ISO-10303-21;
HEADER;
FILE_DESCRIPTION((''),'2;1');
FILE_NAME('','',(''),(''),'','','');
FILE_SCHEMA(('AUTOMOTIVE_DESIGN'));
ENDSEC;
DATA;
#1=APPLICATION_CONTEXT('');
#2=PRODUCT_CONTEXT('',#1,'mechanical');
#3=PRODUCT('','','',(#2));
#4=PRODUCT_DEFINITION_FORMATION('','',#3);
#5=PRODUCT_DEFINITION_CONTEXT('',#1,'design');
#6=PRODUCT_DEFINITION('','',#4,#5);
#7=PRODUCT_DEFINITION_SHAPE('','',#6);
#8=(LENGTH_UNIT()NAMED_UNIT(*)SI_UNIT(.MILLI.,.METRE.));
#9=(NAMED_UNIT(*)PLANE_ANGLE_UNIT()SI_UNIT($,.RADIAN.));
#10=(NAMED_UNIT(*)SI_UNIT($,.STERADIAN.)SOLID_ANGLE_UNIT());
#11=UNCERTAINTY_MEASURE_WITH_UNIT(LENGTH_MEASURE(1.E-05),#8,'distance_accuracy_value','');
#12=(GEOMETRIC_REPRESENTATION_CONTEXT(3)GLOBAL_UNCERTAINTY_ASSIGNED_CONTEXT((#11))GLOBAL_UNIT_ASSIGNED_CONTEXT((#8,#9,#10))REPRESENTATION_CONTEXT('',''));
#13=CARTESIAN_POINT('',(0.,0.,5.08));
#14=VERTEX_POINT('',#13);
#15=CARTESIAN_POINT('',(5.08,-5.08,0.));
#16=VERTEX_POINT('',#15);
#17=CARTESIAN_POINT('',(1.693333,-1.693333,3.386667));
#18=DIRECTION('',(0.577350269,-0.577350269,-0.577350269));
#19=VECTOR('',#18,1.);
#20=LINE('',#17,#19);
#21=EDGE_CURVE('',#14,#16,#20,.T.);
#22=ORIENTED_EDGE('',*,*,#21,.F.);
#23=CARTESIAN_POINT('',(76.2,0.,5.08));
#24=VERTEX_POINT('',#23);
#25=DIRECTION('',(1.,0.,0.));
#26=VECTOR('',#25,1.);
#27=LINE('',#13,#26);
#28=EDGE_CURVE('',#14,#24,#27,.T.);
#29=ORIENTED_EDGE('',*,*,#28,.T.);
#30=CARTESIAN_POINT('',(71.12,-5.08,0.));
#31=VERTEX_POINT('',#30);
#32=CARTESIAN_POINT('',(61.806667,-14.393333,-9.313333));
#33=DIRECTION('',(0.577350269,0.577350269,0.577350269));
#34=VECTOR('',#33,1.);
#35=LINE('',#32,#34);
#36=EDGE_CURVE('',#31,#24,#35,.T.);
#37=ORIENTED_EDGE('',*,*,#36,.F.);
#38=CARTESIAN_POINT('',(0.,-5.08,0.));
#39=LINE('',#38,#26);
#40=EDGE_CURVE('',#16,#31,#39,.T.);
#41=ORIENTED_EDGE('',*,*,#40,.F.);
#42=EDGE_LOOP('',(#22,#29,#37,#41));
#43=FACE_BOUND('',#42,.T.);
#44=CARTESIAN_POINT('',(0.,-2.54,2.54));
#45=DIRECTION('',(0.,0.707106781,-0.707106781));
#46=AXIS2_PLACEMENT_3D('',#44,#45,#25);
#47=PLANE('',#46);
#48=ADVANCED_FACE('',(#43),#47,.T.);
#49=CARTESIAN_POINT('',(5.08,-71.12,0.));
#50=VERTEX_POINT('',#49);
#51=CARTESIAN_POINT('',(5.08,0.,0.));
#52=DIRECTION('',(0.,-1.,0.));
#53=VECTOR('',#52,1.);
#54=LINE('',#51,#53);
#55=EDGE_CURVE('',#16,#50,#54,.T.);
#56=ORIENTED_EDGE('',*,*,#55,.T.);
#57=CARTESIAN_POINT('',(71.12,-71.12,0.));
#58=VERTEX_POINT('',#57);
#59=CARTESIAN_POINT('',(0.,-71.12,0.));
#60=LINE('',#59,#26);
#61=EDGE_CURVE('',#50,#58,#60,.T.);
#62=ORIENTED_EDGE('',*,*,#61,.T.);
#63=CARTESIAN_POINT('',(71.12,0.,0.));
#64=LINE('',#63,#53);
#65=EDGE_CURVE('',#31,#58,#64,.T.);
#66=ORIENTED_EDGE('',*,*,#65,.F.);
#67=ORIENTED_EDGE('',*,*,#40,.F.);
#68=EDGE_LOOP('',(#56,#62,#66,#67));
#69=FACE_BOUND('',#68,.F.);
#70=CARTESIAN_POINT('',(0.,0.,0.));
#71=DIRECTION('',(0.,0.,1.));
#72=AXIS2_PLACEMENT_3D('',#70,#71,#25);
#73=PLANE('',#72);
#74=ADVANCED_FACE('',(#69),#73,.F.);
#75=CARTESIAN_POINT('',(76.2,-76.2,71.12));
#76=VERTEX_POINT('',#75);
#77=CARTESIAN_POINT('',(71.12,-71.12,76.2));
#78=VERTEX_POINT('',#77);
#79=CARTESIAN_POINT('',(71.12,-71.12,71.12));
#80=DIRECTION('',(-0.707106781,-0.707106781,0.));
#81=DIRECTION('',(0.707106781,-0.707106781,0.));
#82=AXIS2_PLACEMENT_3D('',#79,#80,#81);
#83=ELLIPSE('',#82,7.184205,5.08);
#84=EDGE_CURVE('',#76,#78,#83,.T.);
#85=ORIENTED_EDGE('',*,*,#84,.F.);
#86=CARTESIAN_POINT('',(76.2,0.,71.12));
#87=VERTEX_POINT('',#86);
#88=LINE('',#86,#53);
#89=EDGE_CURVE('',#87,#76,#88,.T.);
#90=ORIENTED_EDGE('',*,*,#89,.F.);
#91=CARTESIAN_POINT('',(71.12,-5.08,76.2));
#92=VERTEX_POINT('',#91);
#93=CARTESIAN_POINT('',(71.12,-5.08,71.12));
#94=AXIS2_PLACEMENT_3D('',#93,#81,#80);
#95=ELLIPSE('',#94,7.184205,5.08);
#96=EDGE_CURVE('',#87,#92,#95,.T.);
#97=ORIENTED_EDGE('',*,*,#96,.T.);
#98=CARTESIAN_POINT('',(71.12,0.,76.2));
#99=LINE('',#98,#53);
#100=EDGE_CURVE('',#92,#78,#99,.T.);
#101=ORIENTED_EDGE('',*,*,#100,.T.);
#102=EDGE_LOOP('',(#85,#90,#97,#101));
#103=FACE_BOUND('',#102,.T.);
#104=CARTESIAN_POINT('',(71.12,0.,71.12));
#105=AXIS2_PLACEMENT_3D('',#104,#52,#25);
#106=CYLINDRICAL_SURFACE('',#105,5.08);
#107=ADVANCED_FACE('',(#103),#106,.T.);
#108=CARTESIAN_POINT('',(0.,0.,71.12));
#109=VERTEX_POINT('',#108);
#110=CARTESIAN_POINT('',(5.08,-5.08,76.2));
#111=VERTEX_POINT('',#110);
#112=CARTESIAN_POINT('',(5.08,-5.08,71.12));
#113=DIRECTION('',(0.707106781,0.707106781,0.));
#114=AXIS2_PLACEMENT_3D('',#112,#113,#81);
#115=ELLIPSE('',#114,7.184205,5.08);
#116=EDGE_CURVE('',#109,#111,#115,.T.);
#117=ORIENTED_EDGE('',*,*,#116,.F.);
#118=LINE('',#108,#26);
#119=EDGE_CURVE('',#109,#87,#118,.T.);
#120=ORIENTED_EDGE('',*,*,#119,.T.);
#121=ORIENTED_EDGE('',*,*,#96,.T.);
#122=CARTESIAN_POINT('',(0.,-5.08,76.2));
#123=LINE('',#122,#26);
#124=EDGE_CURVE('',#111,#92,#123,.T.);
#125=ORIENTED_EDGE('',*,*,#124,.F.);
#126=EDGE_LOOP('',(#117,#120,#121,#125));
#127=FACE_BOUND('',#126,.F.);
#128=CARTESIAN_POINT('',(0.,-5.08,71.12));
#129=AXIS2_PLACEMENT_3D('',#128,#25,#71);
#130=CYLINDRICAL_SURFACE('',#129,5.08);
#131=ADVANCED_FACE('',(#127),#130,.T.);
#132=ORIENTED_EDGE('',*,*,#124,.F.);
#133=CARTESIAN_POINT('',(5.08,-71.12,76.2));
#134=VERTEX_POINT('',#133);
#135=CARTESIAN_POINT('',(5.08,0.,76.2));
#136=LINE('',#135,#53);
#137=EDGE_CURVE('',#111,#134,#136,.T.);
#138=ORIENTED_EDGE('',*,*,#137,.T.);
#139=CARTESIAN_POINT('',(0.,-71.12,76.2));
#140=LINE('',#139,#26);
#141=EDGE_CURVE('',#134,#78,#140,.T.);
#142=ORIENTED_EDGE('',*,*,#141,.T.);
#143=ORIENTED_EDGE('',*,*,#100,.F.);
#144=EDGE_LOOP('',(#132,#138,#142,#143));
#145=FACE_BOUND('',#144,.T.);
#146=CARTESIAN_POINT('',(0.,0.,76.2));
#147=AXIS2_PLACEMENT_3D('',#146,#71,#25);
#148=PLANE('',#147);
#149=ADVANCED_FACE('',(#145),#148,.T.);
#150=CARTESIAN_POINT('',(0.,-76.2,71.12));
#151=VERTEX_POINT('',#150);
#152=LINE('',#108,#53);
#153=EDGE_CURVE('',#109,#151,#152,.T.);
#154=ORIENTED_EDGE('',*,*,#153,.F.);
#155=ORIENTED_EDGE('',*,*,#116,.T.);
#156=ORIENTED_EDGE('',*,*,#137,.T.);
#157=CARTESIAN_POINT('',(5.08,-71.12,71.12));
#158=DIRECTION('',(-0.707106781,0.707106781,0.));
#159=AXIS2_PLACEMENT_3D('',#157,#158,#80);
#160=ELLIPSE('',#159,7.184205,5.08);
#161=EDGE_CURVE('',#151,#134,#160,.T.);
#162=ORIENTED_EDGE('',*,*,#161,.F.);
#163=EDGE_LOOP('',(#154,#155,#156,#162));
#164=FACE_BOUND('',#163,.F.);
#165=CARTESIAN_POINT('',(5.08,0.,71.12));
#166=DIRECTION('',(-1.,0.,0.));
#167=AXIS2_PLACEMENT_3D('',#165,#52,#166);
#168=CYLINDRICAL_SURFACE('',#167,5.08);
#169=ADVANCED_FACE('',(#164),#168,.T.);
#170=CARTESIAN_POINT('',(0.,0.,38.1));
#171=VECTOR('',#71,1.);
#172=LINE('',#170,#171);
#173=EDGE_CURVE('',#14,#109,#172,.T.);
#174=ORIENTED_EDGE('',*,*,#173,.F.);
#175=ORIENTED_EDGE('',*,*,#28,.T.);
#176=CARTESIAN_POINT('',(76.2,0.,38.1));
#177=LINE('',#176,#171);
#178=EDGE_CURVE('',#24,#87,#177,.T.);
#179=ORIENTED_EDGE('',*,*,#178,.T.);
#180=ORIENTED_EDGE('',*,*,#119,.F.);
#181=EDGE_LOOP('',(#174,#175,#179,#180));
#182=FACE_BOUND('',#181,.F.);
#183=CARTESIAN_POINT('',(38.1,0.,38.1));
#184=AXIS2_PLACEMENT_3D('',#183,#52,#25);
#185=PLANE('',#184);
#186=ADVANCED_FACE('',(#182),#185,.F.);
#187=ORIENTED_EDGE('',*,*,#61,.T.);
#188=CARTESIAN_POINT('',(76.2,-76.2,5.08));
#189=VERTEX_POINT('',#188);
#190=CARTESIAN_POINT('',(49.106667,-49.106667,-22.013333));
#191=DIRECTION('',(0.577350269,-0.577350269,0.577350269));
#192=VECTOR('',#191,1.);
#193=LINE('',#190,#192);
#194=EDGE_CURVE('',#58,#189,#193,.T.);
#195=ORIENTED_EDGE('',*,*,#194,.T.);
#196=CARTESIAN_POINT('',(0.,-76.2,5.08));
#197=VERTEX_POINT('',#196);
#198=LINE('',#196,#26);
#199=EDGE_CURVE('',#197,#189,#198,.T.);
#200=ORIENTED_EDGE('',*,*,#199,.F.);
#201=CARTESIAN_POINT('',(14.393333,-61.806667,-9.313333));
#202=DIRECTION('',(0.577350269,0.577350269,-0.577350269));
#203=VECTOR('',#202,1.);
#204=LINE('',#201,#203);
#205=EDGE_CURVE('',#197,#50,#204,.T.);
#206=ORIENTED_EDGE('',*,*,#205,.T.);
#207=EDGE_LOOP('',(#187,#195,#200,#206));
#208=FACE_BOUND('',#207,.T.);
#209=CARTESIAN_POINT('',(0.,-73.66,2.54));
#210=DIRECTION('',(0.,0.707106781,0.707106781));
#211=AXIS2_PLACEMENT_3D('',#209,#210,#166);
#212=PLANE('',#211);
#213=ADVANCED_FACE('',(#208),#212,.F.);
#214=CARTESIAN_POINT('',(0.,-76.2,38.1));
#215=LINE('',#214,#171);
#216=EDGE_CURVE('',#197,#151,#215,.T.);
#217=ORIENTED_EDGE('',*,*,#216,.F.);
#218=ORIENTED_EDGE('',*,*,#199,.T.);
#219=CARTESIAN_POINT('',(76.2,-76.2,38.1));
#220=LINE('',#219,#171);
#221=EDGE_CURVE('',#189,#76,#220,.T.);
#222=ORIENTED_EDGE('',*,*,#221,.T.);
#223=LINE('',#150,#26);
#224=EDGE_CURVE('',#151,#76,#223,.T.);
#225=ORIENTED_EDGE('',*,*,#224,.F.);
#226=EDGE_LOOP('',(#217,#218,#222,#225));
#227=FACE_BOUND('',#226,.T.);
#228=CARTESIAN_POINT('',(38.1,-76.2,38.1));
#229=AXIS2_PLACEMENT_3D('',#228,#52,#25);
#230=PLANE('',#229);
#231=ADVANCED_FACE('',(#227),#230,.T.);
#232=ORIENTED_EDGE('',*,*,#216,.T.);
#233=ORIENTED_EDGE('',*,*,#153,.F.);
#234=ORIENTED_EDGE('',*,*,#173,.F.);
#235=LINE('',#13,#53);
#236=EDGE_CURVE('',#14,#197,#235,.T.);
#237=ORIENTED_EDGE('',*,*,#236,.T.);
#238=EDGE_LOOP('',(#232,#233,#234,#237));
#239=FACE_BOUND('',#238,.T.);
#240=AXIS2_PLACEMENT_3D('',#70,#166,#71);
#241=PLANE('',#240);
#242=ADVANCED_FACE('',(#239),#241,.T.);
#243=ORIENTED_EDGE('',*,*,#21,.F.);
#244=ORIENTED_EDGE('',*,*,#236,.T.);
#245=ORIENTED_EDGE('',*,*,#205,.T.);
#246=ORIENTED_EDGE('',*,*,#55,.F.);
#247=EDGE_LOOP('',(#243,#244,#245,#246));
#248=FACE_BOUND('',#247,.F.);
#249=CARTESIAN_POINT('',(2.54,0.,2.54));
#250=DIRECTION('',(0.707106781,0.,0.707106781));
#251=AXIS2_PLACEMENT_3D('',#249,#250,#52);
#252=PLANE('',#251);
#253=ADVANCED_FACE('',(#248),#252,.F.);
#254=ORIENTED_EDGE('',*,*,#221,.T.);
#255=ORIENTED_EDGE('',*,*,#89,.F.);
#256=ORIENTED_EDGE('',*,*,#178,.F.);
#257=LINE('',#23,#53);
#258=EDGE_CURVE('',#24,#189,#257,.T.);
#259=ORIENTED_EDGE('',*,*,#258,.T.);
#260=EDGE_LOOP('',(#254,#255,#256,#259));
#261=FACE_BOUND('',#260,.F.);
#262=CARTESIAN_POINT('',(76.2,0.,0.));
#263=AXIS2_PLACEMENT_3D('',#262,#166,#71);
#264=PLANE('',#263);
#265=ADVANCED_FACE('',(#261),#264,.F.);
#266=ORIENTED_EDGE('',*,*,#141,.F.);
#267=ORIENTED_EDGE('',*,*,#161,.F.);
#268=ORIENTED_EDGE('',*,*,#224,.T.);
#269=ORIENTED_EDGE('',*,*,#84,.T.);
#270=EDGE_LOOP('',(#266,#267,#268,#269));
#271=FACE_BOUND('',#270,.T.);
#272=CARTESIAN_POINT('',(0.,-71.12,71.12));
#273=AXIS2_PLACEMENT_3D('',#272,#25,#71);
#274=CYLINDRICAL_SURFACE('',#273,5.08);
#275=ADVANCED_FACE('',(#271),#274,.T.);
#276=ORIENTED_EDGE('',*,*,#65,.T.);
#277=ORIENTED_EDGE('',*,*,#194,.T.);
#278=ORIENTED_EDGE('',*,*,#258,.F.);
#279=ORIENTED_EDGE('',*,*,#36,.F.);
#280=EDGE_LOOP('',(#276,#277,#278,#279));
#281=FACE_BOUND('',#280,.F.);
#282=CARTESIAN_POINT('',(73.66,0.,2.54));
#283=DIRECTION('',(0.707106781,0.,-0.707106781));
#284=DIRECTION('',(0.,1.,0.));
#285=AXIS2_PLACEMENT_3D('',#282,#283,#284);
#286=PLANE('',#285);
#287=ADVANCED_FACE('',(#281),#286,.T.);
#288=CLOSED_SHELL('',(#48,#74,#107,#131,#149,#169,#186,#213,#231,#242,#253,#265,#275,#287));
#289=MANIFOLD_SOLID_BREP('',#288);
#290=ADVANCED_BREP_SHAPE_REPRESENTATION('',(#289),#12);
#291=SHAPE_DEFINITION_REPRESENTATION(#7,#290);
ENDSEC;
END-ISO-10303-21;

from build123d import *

# Parameters (mm, degrees)
F0_W     = 76.2
F0_H     = 76.2
F1_DEPTH = 76.2
F2_R     = 5.08
F3_SIZE  = 5.08


with BuildPart() as f1:
    # F0 (on Front) → F1 (new body)
    with BuildSketch(Plane.XZ):
        with Locations((38.1, 38.1)):
            Rectangle(F0_W, F0_H)
    extrude(amount=F1_DEPTH)

    # F2
    f2_edges = [f1.edges().sort_by_distance(p)[0] for p in [
        (76.2, -38.1, 76.2),
        (0, -38.1, 76.2),
        (38.1, 0, 76.2),
        (38.1, -76.2, 76.2),
    ]]
    fillet(f2_edges, radius=F2_R)

    # F3
    f3_edges = [f1.edges().sort_by_distance(p)[0] for p in [
        (0, -38.1, 0),
        (76.2, -38.1, 0),
        (38.1, 0, 0),
        (38.1, -76.2, 0),
    ]]
    chamfer(f3_edges, length=F3_SIZE)


solid = f1.part
